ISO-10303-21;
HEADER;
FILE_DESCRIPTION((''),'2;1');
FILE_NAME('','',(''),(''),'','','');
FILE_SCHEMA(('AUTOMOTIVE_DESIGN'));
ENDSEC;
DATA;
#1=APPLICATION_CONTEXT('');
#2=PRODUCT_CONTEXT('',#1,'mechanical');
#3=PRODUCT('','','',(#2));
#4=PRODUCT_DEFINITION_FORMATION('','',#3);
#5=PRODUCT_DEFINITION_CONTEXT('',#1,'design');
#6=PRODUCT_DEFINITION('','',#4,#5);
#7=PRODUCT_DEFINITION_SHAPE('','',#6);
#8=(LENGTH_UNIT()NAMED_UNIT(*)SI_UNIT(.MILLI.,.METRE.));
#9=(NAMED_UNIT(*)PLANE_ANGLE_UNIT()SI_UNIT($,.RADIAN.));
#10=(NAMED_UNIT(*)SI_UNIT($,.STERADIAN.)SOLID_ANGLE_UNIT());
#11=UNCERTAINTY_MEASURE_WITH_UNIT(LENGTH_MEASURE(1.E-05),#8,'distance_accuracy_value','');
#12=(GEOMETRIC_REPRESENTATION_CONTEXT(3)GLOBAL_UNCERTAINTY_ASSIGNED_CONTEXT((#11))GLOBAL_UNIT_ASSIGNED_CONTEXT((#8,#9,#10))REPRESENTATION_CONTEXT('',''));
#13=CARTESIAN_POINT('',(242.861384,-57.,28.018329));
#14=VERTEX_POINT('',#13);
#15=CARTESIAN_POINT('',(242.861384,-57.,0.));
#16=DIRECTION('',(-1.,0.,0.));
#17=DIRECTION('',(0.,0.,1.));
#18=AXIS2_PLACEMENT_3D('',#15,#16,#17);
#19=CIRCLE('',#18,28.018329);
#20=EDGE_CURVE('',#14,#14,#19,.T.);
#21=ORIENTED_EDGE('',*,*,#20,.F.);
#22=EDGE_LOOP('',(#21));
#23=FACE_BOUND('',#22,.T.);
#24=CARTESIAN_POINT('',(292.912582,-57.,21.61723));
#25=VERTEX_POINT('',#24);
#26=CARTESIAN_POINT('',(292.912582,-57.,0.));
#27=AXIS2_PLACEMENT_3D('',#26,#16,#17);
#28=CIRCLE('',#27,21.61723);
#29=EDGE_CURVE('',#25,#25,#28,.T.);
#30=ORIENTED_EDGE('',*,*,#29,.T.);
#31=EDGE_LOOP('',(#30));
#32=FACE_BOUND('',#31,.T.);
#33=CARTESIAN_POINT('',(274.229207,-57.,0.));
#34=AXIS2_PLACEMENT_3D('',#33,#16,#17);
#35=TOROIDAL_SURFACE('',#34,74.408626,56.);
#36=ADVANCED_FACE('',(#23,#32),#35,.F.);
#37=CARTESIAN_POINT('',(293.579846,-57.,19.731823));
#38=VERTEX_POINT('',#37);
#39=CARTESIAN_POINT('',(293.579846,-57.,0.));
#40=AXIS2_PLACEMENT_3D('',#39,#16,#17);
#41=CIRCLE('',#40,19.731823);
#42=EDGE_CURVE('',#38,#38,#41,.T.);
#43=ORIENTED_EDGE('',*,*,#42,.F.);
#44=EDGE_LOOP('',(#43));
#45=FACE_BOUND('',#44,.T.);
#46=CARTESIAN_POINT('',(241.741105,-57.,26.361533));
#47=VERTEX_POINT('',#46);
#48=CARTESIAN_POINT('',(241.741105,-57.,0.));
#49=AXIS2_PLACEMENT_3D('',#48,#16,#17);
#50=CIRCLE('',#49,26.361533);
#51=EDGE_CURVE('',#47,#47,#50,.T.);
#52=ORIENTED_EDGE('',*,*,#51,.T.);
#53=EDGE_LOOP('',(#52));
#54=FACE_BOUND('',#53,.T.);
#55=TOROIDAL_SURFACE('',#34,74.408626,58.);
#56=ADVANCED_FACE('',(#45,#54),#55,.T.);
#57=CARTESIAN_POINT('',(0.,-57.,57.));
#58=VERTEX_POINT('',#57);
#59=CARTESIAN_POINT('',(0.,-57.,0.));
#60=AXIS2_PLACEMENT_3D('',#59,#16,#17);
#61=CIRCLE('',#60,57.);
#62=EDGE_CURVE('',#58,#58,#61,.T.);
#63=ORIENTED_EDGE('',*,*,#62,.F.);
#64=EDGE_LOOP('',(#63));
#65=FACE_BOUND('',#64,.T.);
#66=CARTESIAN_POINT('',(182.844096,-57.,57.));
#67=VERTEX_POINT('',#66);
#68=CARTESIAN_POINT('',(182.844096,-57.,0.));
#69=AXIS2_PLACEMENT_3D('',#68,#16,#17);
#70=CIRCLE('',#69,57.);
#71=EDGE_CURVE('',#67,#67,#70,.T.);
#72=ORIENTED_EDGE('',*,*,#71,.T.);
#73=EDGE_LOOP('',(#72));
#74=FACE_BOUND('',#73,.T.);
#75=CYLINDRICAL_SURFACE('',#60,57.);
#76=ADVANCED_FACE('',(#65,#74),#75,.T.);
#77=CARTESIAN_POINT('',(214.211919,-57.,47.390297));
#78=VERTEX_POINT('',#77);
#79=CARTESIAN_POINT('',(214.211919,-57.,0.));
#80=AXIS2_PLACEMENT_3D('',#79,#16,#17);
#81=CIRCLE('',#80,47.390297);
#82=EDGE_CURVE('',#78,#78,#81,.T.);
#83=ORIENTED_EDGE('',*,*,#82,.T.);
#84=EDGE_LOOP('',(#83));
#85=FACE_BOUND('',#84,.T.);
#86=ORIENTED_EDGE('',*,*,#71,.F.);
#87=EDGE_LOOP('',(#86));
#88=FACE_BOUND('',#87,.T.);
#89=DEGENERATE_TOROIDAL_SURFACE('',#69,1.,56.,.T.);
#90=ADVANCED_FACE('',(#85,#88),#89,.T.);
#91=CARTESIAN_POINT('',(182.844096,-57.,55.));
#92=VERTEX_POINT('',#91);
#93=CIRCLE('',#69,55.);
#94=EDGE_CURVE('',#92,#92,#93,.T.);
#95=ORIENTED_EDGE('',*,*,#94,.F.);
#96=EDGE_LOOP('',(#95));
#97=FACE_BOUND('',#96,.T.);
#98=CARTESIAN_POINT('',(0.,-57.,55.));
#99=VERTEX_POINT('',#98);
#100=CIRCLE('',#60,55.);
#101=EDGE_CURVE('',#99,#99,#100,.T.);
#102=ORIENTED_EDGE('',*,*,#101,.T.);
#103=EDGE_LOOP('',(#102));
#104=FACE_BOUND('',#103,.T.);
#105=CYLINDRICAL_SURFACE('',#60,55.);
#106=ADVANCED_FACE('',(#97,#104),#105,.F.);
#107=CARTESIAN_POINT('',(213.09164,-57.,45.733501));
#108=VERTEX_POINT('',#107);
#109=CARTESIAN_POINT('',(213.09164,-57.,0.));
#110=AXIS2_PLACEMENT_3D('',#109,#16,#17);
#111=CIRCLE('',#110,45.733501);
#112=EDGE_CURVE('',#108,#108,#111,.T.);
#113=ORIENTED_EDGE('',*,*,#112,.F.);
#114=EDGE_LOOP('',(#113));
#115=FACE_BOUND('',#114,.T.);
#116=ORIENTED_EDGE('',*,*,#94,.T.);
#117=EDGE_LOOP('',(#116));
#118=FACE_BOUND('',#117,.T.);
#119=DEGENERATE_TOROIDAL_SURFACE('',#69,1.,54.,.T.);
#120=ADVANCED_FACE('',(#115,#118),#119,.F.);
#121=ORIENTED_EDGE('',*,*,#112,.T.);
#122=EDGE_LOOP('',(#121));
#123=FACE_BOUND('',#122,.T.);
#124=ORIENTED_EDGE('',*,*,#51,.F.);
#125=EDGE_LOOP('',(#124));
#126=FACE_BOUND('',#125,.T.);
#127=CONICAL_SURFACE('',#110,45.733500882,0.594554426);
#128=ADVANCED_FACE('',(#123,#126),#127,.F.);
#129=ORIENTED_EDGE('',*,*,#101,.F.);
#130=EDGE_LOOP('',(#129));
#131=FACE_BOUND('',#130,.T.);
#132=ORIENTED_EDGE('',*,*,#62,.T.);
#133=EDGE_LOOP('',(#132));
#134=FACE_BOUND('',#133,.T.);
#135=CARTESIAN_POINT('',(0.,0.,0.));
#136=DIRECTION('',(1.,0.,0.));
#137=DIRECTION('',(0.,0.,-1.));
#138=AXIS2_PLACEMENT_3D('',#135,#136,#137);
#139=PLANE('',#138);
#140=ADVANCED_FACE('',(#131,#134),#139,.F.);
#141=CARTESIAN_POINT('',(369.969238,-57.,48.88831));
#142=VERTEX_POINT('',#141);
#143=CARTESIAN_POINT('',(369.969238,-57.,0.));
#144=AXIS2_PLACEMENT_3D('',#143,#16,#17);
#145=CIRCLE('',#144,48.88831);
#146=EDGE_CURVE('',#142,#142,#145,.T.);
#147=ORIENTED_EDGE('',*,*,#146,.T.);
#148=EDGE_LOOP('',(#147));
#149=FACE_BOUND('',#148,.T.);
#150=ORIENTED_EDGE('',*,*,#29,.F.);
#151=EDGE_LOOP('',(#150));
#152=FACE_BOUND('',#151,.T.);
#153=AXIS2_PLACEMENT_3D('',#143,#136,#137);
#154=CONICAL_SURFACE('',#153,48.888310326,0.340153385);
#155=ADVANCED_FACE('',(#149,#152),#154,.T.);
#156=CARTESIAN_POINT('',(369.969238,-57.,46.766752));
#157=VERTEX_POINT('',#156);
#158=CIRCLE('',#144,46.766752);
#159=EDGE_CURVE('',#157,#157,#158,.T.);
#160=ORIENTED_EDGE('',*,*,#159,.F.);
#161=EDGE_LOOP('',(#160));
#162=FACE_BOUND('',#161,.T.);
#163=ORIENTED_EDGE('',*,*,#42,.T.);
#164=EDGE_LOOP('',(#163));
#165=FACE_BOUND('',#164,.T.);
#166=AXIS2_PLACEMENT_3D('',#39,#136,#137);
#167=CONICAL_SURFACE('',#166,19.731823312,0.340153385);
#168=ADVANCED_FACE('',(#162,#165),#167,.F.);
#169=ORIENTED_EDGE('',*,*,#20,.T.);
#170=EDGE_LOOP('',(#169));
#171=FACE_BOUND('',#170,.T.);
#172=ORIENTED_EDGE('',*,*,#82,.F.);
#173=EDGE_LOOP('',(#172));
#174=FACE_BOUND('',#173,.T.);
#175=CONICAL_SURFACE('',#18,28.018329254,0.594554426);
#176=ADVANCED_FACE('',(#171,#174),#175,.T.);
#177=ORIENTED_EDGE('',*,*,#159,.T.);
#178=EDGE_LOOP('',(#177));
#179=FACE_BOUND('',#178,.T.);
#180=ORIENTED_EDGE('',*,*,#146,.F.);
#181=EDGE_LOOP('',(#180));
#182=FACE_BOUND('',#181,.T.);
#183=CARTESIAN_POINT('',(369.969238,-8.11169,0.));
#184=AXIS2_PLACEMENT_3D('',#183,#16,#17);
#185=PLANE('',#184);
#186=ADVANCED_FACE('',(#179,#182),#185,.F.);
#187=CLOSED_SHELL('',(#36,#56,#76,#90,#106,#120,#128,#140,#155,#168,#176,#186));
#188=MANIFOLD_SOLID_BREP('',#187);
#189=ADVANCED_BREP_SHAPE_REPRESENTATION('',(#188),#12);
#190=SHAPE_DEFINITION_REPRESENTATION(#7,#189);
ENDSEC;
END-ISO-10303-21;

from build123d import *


with BuildPart() as part:
    # Sketch1 → Revolve1 (revolve)
    with BuildSketch(Plane.XY, mode=Mode.PRIVATE) as revolve1_sk:
        with BuildLine():
            Line((0, 0), (182.844096167, 0))
            ThreePointArc((182.844096167, 0), (199.247500633, -2.456295217), (214.211919245, -9.609702789))
            Line((214.211919245, -9.609702789), (242.861384298, -28.981670746))
            ThreePointArc((242.861384298, -28.981670746), (267.125171613, -38.138944822), (292.912582145, -35.382769683))
            Line((292.912582145, -35.382769683), (369.969238449, -8.111689674))
            Line((369.969238449, -8.111689674), (369.969238449, -10.233247507))
            Line((369.969238449, -10.233247507), (293.57984553, -37.268176688))
            ThreePointArc((293.57984553, -37.268176688), (266.87145605, -40.122786653), (241.741104903, -30.638467075))
            Line((241.741104903, -30.638467075), (213.09163985, -11.266499118))
            ThreePointArc((213.09163985, -11.266499118), (198.66166476, -4.368570388), (182.844096167, -2))
            Line((182.844096167, -2), (0, -2))
            Line((0, -2), (0, 0))
        make_face()
    revolve(revolve1_sk.sketch.rotate(Axis((0, -57, 0), (1, 0, 0)), 90), axis=Axis((0, -57, 0), (1, 0, 0)))


solid = part.part
